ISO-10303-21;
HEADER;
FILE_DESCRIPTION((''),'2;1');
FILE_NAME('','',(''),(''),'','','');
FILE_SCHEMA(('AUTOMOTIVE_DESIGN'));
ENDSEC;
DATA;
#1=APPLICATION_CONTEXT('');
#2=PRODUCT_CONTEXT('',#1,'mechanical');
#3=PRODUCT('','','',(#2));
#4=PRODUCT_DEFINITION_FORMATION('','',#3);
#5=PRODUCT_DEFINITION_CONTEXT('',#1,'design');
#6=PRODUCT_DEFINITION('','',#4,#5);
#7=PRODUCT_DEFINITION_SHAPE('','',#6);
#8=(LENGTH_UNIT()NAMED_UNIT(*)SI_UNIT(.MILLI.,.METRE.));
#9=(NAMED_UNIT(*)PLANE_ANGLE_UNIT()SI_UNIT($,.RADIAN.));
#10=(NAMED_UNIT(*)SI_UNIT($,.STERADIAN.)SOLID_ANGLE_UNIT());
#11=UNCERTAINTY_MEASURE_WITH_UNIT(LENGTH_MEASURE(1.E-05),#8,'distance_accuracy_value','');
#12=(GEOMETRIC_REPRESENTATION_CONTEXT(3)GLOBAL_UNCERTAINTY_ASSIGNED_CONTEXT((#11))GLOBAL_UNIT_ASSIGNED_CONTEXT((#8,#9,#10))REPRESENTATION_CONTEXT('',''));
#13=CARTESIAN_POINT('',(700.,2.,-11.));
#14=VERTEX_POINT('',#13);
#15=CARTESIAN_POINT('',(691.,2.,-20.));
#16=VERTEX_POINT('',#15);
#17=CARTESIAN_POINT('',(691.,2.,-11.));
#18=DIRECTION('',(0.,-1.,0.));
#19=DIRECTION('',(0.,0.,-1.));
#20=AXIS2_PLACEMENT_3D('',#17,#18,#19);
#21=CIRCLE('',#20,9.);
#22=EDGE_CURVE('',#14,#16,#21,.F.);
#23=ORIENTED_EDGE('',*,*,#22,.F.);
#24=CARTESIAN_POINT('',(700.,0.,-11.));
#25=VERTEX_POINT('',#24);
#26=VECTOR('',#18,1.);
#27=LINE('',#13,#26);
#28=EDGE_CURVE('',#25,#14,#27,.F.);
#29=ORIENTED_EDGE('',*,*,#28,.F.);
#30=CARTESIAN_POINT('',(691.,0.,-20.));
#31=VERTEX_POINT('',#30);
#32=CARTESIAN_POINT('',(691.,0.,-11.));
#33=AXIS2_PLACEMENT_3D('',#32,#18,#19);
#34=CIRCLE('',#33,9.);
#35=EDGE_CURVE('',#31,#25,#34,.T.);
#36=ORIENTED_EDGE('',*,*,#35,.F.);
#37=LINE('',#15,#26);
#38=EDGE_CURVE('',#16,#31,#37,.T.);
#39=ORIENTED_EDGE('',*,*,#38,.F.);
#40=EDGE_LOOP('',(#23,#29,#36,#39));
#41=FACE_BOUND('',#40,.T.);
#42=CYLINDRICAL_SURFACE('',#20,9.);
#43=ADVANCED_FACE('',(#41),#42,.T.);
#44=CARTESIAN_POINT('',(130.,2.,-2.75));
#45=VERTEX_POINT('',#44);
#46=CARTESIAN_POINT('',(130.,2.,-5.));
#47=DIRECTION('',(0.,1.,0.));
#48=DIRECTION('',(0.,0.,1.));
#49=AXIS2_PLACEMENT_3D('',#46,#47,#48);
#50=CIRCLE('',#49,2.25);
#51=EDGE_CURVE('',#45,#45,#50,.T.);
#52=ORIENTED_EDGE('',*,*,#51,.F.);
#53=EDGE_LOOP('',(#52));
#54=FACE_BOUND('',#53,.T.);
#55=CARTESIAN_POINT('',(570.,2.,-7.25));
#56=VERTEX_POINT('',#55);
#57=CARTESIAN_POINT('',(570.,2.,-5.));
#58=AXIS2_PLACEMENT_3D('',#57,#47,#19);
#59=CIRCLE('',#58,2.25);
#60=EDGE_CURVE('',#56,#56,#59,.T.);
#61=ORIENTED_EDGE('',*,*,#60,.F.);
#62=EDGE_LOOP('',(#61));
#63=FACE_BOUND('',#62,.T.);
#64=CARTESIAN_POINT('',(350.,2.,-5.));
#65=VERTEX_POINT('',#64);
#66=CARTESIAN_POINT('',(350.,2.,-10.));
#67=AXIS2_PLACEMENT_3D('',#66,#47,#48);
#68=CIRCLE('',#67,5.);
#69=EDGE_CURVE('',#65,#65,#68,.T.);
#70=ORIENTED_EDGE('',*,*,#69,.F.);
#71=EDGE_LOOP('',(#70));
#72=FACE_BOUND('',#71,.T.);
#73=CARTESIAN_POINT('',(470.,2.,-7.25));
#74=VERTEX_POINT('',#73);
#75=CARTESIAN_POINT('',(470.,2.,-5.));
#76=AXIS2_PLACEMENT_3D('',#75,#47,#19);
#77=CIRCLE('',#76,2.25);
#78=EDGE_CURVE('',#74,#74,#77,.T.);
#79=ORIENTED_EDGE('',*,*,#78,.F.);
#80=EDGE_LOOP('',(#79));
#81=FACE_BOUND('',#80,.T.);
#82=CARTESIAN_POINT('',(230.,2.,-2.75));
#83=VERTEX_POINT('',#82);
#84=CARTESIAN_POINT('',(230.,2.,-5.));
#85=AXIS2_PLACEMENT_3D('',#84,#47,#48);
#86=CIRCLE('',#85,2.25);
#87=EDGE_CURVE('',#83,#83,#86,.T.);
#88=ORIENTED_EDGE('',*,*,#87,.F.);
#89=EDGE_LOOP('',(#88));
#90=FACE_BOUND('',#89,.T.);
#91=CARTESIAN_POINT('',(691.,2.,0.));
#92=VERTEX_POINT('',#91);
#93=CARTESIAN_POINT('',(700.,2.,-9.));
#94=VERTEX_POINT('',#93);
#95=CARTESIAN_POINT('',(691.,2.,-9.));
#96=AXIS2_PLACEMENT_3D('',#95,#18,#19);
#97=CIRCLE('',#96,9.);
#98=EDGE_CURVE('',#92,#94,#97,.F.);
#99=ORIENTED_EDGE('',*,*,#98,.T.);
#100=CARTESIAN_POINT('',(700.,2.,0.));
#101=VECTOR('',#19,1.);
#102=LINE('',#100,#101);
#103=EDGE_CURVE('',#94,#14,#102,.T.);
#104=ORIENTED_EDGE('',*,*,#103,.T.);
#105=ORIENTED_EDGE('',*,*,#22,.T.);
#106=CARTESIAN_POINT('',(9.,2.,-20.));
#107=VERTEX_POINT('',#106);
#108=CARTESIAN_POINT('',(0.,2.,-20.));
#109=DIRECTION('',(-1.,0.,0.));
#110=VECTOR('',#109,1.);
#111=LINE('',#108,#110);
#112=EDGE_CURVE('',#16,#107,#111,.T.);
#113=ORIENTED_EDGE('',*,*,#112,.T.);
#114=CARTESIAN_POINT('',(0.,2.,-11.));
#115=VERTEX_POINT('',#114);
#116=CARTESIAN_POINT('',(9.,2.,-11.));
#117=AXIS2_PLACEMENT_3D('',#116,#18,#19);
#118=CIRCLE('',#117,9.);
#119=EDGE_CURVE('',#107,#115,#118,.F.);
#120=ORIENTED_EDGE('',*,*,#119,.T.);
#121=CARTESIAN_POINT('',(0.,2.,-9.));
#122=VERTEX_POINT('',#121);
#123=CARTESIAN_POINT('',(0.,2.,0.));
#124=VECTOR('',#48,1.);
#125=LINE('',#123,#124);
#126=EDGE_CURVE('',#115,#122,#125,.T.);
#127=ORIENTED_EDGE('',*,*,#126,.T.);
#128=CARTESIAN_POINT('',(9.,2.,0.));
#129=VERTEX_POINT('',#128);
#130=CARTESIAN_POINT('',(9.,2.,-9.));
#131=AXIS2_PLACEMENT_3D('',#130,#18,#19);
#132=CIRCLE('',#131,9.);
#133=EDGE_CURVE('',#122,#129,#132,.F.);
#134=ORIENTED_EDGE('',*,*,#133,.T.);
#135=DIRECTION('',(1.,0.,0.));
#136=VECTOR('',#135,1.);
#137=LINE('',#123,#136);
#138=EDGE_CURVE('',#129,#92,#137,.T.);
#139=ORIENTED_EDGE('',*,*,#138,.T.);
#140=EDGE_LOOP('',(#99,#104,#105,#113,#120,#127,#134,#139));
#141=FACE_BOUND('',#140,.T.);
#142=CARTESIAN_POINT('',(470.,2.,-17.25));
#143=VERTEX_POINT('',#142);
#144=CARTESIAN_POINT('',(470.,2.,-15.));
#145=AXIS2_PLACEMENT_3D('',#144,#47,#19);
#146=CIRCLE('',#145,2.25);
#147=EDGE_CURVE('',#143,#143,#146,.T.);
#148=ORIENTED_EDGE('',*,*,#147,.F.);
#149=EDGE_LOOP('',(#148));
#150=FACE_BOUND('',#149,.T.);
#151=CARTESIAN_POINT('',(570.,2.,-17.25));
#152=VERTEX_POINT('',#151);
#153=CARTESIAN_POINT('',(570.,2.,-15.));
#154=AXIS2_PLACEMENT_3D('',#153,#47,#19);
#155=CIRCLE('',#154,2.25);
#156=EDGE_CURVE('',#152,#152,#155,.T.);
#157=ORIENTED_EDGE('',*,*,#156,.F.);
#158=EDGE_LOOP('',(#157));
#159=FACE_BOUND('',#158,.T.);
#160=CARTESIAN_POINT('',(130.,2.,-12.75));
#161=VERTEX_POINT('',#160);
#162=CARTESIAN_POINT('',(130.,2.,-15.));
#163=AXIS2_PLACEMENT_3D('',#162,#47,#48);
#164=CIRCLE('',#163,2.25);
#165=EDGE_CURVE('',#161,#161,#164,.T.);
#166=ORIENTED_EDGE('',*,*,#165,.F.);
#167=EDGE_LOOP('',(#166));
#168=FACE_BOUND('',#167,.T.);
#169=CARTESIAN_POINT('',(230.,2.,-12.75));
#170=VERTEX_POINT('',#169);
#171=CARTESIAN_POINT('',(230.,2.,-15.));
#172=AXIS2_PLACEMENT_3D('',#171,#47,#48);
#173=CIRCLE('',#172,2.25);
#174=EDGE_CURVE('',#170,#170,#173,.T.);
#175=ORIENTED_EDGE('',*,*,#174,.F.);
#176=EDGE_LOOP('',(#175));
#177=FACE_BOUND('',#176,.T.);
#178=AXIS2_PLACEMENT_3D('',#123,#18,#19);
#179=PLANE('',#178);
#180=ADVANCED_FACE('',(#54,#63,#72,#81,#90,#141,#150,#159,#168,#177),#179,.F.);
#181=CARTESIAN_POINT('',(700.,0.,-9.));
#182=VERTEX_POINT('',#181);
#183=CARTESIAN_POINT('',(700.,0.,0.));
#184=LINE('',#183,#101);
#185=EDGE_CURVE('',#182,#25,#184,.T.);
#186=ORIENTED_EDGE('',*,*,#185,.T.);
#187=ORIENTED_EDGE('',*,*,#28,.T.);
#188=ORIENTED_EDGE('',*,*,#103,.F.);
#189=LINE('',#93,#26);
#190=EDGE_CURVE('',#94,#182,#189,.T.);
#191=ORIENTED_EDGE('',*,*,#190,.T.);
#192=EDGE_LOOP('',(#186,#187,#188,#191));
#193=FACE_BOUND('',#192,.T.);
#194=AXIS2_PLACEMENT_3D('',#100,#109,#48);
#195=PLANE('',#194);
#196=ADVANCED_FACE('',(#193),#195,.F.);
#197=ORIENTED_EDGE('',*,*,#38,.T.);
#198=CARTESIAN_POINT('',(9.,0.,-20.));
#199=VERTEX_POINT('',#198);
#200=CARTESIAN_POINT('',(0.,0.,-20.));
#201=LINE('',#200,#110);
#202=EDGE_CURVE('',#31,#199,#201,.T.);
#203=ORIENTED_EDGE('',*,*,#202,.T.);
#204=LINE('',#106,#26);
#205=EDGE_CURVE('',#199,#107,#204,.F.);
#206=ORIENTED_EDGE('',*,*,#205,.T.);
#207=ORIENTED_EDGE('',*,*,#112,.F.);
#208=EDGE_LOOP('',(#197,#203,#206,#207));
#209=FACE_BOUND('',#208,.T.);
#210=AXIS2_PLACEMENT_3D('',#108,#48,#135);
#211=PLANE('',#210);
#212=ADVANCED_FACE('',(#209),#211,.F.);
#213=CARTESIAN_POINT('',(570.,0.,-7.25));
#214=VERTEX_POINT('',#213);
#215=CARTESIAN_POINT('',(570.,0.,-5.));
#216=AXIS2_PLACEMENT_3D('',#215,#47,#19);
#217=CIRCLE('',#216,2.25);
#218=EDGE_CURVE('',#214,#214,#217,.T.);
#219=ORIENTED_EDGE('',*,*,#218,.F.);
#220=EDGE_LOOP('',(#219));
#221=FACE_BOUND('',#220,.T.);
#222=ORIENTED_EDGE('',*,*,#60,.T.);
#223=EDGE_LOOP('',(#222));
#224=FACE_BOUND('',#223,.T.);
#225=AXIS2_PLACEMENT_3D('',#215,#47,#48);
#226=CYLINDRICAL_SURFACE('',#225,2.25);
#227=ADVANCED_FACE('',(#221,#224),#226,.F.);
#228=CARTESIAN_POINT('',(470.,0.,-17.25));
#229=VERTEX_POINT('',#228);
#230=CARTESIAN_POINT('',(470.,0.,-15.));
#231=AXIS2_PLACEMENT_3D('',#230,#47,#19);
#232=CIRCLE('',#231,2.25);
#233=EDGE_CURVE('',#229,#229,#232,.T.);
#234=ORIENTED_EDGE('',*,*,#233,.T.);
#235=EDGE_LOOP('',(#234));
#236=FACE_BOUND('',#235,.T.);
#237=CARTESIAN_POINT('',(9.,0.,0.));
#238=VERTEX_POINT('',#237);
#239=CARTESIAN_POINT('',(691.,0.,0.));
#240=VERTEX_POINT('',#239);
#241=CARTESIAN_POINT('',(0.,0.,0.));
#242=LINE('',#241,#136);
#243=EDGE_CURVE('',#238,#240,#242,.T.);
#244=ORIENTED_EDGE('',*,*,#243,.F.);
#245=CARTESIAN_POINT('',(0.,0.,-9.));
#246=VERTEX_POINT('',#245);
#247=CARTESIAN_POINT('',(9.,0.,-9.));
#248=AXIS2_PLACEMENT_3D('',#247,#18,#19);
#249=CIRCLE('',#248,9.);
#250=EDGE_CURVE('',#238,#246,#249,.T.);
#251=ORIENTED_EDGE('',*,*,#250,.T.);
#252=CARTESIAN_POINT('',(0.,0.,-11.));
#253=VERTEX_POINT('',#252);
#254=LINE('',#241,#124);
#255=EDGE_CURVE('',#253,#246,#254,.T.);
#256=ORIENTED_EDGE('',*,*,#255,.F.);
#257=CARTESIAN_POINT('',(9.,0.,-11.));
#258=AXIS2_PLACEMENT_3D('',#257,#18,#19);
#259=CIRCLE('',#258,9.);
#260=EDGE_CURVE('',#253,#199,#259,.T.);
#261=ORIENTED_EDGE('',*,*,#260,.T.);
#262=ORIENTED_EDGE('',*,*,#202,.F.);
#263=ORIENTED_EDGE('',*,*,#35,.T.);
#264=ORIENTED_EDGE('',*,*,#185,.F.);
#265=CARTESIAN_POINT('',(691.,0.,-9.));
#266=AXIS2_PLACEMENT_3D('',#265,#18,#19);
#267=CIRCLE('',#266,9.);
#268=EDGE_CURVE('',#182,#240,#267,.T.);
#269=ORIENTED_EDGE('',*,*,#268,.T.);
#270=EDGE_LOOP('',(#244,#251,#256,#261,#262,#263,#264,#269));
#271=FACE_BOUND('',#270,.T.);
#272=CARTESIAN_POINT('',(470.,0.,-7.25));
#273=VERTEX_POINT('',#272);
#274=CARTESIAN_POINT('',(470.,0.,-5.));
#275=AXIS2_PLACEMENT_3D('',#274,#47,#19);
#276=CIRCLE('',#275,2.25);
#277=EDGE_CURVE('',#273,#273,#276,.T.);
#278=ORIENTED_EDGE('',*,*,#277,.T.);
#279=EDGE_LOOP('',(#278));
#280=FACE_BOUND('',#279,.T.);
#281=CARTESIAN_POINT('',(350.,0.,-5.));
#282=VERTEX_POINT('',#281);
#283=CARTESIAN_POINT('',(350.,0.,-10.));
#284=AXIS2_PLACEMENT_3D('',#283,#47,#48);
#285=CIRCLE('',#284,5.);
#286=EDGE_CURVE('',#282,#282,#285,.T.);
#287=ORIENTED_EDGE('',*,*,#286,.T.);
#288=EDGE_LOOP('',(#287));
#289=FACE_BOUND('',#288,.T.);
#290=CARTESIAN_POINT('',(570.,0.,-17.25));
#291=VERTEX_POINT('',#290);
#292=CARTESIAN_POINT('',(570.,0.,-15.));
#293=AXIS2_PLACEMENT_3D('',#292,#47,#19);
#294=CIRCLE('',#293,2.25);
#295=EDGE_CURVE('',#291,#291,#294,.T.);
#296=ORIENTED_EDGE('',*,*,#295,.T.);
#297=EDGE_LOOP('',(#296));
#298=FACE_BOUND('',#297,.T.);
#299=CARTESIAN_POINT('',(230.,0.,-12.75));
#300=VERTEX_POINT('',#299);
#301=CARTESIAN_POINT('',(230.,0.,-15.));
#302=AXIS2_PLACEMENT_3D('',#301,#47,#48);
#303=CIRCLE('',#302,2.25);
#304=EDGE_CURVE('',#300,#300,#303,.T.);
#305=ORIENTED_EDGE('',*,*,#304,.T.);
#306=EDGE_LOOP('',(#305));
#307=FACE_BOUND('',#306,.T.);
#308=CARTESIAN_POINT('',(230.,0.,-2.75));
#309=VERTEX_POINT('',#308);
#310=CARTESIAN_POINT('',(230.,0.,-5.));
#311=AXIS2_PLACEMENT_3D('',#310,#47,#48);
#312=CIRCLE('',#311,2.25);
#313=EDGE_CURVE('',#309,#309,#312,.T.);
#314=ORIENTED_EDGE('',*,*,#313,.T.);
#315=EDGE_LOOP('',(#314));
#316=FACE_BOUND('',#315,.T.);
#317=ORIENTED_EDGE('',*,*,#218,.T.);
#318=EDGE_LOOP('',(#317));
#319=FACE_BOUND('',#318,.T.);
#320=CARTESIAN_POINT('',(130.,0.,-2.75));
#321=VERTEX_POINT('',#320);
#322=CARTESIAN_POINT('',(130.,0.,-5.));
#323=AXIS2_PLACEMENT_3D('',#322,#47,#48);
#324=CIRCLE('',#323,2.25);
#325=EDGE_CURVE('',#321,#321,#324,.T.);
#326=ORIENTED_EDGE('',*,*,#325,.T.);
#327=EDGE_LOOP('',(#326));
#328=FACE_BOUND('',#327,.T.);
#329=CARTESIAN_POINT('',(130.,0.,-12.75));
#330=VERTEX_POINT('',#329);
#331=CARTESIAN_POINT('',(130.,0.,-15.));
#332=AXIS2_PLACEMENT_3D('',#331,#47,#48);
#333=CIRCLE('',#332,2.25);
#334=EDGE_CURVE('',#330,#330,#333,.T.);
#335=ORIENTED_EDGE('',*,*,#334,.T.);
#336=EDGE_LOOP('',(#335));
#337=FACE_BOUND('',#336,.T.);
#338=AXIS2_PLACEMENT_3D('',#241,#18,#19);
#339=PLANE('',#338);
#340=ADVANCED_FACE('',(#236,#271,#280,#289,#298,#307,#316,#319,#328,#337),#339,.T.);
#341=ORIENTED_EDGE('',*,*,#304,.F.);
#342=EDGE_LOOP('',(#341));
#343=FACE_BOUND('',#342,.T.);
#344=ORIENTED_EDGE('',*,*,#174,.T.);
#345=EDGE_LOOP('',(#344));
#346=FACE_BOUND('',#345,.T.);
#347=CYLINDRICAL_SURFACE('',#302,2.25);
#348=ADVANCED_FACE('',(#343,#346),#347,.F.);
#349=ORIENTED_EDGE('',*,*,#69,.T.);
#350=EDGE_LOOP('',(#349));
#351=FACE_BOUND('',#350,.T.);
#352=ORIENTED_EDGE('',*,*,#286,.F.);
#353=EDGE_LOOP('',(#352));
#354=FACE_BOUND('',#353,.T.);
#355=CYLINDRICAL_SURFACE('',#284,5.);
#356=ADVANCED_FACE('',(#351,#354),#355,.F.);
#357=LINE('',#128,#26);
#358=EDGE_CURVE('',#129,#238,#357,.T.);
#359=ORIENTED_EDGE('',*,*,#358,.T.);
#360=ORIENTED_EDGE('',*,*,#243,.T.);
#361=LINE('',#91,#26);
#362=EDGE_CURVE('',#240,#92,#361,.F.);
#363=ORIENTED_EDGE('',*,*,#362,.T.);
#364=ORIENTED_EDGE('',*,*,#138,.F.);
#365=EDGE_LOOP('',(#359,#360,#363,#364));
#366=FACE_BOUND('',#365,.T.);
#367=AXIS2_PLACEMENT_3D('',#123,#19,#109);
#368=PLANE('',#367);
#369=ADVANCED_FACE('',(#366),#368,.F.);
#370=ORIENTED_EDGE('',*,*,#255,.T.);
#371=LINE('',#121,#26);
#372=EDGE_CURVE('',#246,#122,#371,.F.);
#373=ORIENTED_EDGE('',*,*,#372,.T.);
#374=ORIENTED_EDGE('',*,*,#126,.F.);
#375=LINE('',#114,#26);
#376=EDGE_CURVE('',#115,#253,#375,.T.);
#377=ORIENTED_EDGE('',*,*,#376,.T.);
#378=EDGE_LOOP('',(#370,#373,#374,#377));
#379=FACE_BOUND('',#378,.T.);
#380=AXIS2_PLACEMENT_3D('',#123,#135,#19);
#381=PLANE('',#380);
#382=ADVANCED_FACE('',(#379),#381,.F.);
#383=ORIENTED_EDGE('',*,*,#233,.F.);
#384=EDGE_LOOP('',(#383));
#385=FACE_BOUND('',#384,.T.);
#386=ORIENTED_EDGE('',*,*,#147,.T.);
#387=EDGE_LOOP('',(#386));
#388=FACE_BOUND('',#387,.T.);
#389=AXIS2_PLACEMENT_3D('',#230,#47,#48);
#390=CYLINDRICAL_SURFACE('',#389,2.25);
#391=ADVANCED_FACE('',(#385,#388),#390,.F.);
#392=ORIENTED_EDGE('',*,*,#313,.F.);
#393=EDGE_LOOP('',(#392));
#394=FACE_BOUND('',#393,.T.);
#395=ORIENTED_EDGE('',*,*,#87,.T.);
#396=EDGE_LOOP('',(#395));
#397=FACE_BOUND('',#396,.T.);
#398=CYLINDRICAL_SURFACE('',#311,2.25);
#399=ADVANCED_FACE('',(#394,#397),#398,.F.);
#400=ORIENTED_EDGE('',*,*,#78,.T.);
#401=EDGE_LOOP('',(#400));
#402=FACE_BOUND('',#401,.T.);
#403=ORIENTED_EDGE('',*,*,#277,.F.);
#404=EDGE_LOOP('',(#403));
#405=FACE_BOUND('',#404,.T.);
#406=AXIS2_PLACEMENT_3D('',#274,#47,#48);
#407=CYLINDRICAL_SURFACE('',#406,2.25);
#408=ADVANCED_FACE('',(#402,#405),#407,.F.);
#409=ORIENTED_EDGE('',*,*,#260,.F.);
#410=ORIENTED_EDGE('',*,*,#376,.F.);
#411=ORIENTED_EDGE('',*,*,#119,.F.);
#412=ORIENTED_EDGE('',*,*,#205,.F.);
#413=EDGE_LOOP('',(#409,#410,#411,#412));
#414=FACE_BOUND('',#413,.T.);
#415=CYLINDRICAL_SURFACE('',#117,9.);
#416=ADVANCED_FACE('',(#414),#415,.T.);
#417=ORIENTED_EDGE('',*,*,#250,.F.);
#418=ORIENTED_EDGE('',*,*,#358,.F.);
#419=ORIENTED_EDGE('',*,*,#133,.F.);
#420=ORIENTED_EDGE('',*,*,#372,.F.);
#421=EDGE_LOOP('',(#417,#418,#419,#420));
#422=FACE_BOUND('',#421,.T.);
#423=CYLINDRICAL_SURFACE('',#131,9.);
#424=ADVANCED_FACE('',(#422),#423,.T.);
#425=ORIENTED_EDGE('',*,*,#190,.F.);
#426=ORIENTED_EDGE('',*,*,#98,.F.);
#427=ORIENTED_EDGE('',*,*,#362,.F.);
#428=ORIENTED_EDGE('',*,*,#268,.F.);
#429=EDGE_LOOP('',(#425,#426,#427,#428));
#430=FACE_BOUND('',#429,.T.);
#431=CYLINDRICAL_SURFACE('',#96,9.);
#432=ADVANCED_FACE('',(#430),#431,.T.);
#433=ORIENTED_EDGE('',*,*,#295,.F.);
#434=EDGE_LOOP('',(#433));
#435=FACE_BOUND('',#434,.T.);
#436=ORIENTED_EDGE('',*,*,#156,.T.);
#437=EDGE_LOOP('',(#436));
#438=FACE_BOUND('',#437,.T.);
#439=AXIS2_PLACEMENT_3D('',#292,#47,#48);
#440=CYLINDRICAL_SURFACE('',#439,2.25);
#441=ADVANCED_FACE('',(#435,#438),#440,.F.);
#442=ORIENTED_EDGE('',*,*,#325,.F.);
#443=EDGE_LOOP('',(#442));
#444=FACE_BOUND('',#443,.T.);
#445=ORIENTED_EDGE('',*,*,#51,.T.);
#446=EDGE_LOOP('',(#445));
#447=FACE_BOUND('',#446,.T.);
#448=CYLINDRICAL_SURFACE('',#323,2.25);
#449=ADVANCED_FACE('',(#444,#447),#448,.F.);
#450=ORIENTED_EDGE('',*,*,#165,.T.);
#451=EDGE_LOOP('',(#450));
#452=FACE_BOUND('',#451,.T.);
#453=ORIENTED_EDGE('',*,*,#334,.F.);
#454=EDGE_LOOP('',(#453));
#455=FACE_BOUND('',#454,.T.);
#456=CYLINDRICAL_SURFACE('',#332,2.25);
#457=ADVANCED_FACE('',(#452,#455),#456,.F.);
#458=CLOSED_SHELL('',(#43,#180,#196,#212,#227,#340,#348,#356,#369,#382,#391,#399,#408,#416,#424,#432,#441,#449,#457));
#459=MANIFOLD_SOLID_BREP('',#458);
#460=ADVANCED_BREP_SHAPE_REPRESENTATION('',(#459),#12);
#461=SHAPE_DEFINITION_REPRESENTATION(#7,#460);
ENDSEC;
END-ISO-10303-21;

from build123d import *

# Parameters (mm, degrees)
SKETCH1_W           = 700
SKETCH1_H           = 20
BOSS_EXTRUDE1_DEPTH = 2
FILLET1_R           = 9
SKETCH2_R           = 5
SKETCH2_R_2         = 2.25
CUT_EXTRUDE1_DEPTH  = 701.288511972


with BuildPart() as part:
    # Sketch1 → Boss-Extrude1 (new body)
    with BuildSketch(Plane(origin=(0, 0, 0), x_dir=(1, 0, 0), z_dir=(0, 1, 0))):
        with Locations((350, 10)):
            Rectangle(SKETCH1_W, SKETCH1_H)
    extrude(amount=BOSS_EXTRUDE1_DEPTH)

    # Fillet1
    fillet1_edges = [part.edges().sort_by_distance(p)[0] for p in [
        (0, 1, -20),
        (700, 1, -20),
        (700, 1, 0),
        (0, 1, 0),
    ]]
    fillet(fillet1_edges, radius=FILLET1_R)

    # Sketch2 → Cut-Extrude1 (cut, through all)
    with BuildSketch(Plane(origin=(0, 2, 0), x_dir=(1, 0, 0), z_dir=(0, 1, 0))):
        with Locations(Location((350, 10, 0), (0, 0, 270))):
            Circle(SKETCH2_R)
        with Locations(Location((130, 15, 0), (0, 0, 270))):
            Circle(SKETCH2_R_2)
        with Locations(Location((230, 15, 0), (0, 0, 270))):
            Circle(SKETCH2_R_2)
        with Locations(Location((130, 5, 0), (0, 0, 270))):
            Circle(SKETCH2_R_2)
        with Locations(Location((230, 5, 0), (0, 0, 270))):
            Circle(SKETCH2_R_2)
        with Locations(Location((470, 15, 0), (0, 0, 90))):
            Circle(SKETCH2_R_2)
        with Locations(Location((470, 5, 0), (0, 0, 90))):
            Circle(SKETCH2_R_2)
        with Locations(Location((570, 5, 0), (0, 0, 90))):
            Circle(SKETCH2_R_2)
        with Locations(Location((570, 15, 0), (0, 0, 90))):
            Circle(SKETCH2_R_2)
    extrude(amount=-CUT_EXTRUDE1_DEPTH, mode=Mode.SUBTRACT)


solid = part.part
